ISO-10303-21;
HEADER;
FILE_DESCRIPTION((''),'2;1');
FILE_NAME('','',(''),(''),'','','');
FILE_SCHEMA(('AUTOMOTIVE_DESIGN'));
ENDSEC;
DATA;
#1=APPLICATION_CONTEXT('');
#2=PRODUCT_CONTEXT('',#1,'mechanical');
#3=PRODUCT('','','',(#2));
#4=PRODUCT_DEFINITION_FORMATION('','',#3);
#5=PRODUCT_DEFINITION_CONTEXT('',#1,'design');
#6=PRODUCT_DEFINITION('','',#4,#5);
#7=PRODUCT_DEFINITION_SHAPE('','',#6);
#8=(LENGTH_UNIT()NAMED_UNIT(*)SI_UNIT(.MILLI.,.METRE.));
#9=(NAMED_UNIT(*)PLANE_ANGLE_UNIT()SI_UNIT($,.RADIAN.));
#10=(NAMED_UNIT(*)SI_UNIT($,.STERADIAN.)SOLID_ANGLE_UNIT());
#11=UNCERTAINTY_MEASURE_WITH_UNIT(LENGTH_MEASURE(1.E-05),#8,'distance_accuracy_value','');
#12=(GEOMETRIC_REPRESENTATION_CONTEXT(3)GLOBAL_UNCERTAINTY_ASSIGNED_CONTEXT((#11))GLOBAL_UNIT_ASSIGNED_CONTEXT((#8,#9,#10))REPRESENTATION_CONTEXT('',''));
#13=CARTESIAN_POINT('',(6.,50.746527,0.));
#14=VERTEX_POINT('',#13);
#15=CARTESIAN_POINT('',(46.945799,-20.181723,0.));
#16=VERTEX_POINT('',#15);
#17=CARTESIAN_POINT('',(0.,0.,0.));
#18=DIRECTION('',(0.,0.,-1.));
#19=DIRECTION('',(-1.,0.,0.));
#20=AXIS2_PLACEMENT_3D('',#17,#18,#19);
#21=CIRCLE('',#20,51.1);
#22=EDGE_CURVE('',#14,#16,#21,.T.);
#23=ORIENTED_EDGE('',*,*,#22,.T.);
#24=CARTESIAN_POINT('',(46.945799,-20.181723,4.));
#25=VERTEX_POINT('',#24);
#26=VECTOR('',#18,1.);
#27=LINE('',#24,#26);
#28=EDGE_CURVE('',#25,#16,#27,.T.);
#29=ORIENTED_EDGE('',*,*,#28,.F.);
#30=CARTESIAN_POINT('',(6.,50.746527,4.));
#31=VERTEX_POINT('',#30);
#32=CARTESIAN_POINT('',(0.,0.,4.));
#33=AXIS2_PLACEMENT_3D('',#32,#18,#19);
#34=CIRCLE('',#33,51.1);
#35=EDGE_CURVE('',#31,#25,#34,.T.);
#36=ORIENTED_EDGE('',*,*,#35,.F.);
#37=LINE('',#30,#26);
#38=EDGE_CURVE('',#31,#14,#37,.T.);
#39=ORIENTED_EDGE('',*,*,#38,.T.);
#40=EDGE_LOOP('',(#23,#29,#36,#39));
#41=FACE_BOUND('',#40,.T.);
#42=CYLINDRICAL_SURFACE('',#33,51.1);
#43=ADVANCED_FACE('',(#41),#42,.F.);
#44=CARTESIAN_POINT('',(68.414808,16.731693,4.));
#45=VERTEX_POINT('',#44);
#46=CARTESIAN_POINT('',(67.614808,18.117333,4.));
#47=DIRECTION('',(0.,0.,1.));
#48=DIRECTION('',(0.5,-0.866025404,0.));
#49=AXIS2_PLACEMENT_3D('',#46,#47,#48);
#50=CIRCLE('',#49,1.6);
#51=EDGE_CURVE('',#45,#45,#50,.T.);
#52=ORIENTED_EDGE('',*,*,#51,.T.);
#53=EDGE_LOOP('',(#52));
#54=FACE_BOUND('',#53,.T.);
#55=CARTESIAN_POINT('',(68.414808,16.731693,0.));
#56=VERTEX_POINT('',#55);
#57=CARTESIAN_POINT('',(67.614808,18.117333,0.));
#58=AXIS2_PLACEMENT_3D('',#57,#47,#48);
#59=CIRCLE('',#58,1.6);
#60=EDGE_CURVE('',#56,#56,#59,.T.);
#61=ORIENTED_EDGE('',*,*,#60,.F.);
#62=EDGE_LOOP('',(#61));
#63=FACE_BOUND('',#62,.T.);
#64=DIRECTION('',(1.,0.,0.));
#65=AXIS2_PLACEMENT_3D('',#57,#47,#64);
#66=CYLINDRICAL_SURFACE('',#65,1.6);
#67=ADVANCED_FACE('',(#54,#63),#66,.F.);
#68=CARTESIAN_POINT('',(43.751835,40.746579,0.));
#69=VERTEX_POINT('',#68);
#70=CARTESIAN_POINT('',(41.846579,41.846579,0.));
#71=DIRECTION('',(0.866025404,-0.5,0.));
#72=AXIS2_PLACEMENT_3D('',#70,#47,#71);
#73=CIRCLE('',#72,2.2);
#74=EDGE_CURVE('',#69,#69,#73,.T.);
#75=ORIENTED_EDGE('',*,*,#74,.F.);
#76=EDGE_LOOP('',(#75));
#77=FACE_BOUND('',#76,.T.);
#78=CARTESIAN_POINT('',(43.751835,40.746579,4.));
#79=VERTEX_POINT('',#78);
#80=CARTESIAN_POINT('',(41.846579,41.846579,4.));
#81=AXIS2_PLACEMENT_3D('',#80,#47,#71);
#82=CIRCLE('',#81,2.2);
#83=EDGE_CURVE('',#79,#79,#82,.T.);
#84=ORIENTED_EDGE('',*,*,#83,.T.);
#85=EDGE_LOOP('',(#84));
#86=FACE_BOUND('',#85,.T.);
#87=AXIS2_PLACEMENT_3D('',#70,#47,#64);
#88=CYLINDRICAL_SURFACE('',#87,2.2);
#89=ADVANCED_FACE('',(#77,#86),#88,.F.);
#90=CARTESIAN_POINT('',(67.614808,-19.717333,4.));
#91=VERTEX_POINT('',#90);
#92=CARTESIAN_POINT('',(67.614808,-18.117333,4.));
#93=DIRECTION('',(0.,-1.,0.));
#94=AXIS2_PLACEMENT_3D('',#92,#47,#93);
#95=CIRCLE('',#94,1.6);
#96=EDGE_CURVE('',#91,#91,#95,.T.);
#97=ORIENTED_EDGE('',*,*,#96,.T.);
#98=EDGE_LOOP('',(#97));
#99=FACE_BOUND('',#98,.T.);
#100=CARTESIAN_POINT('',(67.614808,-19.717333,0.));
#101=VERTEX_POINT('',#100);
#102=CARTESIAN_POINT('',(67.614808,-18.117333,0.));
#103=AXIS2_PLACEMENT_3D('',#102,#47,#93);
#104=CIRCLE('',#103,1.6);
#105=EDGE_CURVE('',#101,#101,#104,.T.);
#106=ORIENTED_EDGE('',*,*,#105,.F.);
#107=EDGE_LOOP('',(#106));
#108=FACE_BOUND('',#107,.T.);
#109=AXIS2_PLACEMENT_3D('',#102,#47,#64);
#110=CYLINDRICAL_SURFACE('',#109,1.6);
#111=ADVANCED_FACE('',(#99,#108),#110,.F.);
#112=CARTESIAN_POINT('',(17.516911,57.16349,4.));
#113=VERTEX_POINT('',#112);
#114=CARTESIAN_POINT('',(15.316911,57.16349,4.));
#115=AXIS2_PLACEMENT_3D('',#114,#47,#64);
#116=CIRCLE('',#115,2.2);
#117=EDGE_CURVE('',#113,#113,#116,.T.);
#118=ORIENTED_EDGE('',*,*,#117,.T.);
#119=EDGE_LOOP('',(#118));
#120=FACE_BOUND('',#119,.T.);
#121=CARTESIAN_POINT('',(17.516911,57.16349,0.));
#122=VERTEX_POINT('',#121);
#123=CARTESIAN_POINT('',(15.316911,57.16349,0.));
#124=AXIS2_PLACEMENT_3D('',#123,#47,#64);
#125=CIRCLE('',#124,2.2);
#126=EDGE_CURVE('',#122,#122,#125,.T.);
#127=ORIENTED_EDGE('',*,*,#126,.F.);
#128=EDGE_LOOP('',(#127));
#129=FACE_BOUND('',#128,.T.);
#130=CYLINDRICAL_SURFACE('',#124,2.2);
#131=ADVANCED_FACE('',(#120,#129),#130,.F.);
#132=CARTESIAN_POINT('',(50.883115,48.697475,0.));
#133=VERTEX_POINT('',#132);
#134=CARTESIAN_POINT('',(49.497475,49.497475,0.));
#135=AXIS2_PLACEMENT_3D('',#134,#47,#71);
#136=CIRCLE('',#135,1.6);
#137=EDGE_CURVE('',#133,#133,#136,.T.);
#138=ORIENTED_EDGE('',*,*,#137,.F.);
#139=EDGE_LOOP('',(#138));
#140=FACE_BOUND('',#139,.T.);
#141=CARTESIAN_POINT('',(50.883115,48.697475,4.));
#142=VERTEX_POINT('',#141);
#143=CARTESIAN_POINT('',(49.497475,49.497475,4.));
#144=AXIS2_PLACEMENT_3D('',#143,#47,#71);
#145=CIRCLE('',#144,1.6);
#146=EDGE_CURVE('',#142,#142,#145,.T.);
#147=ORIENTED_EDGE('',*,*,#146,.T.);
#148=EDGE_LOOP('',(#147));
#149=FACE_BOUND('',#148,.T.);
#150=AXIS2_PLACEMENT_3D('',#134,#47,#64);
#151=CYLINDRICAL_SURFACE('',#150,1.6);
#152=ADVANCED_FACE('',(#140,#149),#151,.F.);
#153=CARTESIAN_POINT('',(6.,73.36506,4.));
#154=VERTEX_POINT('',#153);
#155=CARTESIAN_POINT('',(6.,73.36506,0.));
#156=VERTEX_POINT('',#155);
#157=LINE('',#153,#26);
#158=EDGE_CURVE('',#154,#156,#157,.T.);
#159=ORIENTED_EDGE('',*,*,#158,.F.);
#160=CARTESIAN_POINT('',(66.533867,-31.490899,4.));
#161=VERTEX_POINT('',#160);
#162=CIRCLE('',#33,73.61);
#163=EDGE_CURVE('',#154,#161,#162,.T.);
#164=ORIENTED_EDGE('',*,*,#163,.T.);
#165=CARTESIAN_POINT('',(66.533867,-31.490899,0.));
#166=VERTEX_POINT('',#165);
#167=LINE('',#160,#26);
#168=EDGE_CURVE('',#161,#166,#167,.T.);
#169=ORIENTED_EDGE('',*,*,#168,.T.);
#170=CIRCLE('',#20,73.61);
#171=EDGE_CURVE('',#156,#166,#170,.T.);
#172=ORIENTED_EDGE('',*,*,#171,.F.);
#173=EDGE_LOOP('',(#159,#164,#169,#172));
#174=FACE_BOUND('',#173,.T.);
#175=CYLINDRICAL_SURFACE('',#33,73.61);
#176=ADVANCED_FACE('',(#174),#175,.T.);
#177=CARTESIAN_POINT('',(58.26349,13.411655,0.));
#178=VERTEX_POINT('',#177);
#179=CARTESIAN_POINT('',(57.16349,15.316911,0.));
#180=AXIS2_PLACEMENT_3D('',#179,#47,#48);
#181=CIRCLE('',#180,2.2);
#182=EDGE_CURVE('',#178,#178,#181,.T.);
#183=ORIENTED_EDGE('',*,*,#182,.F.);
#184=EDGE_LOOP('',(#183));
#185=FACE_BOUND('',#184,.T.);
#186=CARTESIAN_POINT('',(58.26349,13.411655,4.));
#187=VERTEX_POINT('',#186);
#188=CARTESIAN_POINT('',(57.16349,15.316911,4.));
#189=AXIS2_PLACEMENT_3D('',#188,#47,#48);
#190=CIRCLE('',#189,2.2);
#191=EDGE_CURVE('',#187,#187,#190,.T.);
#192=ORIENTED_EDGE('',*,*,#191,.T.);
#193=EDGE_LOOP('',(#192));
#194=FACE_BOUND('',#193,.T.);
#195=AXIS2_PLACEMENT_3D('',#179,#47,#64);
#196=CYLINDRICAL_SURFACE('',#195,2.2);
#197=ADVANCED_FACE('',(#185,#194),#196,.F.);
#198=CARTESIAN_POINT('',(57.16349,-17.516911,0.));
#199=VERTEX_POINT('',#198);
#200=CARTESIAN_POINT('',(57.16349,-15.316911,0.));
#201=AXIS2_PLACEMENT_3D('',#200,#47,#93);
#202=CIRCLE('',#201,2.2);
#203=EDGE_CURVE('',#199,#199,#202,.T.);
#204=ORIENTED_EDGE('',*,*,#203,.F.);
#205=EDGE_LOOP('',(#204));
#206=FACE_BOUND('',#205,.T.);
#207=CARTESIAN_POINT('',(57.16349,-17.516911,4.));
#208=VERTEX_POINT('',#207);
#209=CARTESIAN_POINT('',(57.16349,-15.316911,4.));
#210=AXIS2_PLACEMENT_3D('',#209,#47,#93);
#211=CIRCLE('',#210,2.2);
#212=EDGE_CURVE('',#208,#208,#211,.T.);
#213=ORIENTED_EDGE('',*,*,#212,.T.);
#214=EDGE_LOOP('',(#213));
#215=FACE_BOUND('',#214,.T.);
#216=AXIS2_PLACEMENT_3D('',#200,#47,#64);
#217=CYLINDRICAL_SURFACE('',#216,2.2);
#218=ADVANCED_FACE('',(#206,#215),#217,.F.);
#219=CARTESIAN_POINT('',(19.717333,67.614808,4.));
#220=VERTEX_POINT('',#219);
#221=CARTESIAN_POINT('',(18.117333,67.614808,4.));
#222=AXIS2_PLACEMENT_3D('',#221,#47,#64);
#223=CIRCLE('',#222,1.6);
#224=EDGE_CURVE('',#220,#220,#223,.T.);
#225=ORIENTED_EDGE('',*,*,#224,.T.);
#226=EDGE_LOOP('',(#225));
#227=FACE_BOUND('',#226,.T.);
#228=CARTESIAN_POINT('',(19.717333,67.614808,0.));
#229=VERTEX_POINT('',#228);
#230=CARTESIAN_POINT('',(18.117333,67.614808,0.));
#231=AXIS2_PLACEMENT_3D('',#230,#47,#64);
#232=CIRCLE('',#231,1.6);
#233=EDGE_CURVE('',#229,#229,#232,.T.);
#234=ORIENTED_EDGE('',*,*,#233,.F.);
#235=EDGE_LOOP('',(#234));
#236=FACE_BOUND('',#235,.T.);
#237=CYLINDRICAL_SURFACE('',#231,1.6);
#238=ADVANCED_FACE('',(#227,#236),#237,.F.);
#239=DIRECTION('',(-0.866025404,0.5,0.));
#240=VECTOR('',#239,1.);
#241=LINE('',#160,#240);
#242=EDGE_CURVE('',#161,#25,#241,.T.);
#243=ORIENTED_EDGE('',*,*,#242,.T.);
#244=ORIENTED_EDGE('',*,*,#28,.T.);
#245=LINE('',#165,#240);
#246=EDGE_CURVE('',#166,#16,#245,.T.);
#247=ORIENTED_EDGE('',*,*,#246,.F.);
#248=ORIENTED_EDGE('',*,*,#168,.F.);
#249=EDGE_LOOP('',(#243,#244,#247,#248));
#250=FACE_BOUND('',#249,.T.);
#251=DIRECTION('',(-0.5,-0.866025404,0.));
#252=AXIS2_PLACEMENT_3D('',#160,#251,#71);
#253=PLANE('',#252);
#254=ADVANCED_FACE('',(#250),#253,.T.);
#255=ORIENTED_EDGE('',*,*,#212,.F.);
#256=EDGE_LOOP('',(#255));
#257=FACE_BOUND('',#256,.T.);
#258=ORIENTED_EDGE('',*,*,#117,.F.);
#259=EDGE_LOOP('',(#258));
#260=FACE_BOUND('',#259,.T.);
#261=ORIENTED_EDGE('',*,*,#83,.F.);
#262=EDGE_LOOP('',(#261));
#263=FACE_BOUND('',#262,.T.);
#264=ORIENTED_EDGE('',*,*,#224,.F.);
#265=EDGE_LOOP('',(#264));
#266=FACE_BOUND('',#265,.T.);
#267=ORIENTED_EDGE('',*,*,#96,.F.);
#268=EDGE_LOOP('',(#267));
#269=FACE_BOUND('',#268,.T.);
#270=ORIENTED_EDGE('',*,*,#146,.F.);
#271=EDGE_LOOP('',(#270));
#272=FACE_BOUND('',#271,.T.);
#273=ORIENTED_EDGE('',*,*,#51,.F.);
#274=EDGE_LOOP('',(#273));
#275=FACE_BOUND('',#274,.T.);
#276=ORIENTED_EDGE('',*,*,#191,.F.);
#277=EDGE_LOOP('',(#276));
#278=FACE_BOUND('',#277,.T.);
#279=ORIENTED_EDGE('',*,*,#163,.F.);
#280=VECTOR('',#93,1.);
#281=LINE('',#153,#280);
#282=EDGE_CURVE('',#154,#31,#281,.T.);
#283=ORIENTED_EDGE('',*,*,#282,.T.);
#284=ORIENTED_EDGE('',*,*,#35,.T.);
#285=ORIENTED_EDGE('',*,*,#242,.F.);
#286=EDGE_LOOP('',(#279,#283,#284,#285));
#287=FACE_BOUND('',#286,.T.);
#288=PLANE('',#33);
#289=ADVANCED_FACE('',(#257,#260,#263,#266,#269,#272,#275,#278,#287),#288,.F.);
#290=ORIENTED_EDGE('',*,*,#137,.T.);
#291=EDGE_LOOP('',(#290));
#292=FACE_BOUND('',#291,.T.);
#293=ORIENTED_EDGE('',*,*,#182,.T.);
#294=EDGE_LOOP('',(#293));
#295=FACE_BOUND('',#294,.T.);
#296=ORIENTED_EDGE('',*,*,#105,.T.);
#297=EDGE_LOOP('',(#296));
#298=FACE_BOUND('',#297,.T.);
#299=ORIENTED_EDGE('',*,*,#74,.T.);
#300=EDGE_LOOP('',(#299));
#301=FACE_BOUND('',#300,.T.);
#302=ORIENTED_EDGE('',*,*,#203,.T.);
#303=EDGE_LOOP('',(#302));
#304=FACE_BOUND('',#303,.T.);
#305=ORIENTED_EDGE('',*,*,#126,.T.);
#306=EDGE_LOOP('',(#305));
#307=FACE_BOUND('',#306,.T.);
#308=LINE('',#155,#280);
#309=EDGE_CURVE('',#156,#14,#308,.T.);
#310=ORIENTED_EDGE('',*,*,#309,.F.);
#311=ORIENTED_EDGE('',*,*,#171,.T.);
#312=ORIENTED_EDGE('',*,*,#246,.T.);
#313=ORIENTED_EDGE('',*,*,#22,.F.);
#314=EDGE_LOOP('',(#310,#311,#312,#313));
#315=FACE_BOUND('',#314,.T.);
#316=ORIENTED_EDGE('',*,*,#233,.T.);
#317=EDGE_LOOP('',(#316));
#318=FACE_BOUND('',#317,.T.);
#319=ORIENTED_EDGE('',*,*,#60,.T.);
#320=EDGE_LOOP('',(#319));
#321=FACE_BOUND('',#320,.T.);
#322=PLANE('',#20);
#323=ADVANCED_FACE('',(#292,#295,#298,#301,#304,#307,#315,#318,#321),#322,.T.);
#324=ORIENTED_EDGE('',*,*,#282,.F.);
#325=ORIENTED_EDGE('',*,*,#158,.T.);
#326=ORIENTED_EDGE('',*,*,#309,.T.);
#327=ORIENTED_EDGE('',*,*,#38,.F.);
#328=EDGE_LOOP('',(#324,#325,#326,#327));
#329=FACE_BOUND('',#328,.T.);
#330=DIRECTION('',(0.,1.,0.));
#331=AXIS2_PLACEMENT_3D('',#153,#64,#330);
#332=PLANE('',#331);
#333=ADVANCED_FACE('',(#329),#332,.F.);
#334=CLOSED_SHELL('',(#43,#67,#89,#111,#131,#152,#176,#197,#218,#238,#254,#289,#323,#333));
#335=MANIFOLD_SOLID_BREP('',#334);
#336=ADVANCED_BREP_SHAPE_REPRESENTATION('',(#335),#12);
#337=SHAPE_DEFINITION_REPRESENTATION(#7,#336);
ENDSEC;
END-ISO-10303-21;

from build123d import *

# Parameters (mm, degrees)
BOSS_EXTRU_1_DEPTH = 4
SKETCH2_R          = 1.6
SKETCH2_R_2        = 2.2
CUT_EXTRUDE1_DEPTH = 105.004154725
CIRPATTERN1_COUNT  = 12


with BuildPart() as part:
    # Esquisse1 → Boss.-Extru.1 (new body)
    with BuildSketch(Plane.XY):
        with BuildLine():
            Line((6, 73.365060485), (6, 50.746526975))
            ThreePointArc((6, 50.746526975), (44.255153019, 25.547826351), (46.94579921, -20.181722835))
            Line((46.94579921, -20.181722835), (66.533866524, -31.490898771))
            ThreePointArc((66.533866524, -31.490898771), (63.749380359, 36.802834183), (6, 73.365060485))
        make_face()
    extrude(amount=BOSS_EXTRU_1_DEPTH)

    # Sketch2 → Cut-Extrude1 (cut, through all)
    with BuildSketch(Plane.XY.offset(4)):
        with Locations((18.117333157, 67.61480784)):
            Circle(SKETCH2_R)
        with Locations((15.316911089, 57.1634904)):
            Circle(SKETCH2_R_2)
    cut_extrude1 = extrude(amount=-CUT_EXTRUDE1_DEPTH, mode=Mode.SUBTRACT)

    # CirPattern1: Cut-Extrude1 ×12 about axis
    cirpattern1_axis = Axis((0, 0, -0.2), (0, 0, 1))
    for i in range(1, CIRPATTERN1_COUNT):
        add(cut_extrude1.rotate(cirpattern1_axis, i * 360 / CIRPATTERN1_COUNT), mode=Mode.SUBTRACT)


solid = part.part
